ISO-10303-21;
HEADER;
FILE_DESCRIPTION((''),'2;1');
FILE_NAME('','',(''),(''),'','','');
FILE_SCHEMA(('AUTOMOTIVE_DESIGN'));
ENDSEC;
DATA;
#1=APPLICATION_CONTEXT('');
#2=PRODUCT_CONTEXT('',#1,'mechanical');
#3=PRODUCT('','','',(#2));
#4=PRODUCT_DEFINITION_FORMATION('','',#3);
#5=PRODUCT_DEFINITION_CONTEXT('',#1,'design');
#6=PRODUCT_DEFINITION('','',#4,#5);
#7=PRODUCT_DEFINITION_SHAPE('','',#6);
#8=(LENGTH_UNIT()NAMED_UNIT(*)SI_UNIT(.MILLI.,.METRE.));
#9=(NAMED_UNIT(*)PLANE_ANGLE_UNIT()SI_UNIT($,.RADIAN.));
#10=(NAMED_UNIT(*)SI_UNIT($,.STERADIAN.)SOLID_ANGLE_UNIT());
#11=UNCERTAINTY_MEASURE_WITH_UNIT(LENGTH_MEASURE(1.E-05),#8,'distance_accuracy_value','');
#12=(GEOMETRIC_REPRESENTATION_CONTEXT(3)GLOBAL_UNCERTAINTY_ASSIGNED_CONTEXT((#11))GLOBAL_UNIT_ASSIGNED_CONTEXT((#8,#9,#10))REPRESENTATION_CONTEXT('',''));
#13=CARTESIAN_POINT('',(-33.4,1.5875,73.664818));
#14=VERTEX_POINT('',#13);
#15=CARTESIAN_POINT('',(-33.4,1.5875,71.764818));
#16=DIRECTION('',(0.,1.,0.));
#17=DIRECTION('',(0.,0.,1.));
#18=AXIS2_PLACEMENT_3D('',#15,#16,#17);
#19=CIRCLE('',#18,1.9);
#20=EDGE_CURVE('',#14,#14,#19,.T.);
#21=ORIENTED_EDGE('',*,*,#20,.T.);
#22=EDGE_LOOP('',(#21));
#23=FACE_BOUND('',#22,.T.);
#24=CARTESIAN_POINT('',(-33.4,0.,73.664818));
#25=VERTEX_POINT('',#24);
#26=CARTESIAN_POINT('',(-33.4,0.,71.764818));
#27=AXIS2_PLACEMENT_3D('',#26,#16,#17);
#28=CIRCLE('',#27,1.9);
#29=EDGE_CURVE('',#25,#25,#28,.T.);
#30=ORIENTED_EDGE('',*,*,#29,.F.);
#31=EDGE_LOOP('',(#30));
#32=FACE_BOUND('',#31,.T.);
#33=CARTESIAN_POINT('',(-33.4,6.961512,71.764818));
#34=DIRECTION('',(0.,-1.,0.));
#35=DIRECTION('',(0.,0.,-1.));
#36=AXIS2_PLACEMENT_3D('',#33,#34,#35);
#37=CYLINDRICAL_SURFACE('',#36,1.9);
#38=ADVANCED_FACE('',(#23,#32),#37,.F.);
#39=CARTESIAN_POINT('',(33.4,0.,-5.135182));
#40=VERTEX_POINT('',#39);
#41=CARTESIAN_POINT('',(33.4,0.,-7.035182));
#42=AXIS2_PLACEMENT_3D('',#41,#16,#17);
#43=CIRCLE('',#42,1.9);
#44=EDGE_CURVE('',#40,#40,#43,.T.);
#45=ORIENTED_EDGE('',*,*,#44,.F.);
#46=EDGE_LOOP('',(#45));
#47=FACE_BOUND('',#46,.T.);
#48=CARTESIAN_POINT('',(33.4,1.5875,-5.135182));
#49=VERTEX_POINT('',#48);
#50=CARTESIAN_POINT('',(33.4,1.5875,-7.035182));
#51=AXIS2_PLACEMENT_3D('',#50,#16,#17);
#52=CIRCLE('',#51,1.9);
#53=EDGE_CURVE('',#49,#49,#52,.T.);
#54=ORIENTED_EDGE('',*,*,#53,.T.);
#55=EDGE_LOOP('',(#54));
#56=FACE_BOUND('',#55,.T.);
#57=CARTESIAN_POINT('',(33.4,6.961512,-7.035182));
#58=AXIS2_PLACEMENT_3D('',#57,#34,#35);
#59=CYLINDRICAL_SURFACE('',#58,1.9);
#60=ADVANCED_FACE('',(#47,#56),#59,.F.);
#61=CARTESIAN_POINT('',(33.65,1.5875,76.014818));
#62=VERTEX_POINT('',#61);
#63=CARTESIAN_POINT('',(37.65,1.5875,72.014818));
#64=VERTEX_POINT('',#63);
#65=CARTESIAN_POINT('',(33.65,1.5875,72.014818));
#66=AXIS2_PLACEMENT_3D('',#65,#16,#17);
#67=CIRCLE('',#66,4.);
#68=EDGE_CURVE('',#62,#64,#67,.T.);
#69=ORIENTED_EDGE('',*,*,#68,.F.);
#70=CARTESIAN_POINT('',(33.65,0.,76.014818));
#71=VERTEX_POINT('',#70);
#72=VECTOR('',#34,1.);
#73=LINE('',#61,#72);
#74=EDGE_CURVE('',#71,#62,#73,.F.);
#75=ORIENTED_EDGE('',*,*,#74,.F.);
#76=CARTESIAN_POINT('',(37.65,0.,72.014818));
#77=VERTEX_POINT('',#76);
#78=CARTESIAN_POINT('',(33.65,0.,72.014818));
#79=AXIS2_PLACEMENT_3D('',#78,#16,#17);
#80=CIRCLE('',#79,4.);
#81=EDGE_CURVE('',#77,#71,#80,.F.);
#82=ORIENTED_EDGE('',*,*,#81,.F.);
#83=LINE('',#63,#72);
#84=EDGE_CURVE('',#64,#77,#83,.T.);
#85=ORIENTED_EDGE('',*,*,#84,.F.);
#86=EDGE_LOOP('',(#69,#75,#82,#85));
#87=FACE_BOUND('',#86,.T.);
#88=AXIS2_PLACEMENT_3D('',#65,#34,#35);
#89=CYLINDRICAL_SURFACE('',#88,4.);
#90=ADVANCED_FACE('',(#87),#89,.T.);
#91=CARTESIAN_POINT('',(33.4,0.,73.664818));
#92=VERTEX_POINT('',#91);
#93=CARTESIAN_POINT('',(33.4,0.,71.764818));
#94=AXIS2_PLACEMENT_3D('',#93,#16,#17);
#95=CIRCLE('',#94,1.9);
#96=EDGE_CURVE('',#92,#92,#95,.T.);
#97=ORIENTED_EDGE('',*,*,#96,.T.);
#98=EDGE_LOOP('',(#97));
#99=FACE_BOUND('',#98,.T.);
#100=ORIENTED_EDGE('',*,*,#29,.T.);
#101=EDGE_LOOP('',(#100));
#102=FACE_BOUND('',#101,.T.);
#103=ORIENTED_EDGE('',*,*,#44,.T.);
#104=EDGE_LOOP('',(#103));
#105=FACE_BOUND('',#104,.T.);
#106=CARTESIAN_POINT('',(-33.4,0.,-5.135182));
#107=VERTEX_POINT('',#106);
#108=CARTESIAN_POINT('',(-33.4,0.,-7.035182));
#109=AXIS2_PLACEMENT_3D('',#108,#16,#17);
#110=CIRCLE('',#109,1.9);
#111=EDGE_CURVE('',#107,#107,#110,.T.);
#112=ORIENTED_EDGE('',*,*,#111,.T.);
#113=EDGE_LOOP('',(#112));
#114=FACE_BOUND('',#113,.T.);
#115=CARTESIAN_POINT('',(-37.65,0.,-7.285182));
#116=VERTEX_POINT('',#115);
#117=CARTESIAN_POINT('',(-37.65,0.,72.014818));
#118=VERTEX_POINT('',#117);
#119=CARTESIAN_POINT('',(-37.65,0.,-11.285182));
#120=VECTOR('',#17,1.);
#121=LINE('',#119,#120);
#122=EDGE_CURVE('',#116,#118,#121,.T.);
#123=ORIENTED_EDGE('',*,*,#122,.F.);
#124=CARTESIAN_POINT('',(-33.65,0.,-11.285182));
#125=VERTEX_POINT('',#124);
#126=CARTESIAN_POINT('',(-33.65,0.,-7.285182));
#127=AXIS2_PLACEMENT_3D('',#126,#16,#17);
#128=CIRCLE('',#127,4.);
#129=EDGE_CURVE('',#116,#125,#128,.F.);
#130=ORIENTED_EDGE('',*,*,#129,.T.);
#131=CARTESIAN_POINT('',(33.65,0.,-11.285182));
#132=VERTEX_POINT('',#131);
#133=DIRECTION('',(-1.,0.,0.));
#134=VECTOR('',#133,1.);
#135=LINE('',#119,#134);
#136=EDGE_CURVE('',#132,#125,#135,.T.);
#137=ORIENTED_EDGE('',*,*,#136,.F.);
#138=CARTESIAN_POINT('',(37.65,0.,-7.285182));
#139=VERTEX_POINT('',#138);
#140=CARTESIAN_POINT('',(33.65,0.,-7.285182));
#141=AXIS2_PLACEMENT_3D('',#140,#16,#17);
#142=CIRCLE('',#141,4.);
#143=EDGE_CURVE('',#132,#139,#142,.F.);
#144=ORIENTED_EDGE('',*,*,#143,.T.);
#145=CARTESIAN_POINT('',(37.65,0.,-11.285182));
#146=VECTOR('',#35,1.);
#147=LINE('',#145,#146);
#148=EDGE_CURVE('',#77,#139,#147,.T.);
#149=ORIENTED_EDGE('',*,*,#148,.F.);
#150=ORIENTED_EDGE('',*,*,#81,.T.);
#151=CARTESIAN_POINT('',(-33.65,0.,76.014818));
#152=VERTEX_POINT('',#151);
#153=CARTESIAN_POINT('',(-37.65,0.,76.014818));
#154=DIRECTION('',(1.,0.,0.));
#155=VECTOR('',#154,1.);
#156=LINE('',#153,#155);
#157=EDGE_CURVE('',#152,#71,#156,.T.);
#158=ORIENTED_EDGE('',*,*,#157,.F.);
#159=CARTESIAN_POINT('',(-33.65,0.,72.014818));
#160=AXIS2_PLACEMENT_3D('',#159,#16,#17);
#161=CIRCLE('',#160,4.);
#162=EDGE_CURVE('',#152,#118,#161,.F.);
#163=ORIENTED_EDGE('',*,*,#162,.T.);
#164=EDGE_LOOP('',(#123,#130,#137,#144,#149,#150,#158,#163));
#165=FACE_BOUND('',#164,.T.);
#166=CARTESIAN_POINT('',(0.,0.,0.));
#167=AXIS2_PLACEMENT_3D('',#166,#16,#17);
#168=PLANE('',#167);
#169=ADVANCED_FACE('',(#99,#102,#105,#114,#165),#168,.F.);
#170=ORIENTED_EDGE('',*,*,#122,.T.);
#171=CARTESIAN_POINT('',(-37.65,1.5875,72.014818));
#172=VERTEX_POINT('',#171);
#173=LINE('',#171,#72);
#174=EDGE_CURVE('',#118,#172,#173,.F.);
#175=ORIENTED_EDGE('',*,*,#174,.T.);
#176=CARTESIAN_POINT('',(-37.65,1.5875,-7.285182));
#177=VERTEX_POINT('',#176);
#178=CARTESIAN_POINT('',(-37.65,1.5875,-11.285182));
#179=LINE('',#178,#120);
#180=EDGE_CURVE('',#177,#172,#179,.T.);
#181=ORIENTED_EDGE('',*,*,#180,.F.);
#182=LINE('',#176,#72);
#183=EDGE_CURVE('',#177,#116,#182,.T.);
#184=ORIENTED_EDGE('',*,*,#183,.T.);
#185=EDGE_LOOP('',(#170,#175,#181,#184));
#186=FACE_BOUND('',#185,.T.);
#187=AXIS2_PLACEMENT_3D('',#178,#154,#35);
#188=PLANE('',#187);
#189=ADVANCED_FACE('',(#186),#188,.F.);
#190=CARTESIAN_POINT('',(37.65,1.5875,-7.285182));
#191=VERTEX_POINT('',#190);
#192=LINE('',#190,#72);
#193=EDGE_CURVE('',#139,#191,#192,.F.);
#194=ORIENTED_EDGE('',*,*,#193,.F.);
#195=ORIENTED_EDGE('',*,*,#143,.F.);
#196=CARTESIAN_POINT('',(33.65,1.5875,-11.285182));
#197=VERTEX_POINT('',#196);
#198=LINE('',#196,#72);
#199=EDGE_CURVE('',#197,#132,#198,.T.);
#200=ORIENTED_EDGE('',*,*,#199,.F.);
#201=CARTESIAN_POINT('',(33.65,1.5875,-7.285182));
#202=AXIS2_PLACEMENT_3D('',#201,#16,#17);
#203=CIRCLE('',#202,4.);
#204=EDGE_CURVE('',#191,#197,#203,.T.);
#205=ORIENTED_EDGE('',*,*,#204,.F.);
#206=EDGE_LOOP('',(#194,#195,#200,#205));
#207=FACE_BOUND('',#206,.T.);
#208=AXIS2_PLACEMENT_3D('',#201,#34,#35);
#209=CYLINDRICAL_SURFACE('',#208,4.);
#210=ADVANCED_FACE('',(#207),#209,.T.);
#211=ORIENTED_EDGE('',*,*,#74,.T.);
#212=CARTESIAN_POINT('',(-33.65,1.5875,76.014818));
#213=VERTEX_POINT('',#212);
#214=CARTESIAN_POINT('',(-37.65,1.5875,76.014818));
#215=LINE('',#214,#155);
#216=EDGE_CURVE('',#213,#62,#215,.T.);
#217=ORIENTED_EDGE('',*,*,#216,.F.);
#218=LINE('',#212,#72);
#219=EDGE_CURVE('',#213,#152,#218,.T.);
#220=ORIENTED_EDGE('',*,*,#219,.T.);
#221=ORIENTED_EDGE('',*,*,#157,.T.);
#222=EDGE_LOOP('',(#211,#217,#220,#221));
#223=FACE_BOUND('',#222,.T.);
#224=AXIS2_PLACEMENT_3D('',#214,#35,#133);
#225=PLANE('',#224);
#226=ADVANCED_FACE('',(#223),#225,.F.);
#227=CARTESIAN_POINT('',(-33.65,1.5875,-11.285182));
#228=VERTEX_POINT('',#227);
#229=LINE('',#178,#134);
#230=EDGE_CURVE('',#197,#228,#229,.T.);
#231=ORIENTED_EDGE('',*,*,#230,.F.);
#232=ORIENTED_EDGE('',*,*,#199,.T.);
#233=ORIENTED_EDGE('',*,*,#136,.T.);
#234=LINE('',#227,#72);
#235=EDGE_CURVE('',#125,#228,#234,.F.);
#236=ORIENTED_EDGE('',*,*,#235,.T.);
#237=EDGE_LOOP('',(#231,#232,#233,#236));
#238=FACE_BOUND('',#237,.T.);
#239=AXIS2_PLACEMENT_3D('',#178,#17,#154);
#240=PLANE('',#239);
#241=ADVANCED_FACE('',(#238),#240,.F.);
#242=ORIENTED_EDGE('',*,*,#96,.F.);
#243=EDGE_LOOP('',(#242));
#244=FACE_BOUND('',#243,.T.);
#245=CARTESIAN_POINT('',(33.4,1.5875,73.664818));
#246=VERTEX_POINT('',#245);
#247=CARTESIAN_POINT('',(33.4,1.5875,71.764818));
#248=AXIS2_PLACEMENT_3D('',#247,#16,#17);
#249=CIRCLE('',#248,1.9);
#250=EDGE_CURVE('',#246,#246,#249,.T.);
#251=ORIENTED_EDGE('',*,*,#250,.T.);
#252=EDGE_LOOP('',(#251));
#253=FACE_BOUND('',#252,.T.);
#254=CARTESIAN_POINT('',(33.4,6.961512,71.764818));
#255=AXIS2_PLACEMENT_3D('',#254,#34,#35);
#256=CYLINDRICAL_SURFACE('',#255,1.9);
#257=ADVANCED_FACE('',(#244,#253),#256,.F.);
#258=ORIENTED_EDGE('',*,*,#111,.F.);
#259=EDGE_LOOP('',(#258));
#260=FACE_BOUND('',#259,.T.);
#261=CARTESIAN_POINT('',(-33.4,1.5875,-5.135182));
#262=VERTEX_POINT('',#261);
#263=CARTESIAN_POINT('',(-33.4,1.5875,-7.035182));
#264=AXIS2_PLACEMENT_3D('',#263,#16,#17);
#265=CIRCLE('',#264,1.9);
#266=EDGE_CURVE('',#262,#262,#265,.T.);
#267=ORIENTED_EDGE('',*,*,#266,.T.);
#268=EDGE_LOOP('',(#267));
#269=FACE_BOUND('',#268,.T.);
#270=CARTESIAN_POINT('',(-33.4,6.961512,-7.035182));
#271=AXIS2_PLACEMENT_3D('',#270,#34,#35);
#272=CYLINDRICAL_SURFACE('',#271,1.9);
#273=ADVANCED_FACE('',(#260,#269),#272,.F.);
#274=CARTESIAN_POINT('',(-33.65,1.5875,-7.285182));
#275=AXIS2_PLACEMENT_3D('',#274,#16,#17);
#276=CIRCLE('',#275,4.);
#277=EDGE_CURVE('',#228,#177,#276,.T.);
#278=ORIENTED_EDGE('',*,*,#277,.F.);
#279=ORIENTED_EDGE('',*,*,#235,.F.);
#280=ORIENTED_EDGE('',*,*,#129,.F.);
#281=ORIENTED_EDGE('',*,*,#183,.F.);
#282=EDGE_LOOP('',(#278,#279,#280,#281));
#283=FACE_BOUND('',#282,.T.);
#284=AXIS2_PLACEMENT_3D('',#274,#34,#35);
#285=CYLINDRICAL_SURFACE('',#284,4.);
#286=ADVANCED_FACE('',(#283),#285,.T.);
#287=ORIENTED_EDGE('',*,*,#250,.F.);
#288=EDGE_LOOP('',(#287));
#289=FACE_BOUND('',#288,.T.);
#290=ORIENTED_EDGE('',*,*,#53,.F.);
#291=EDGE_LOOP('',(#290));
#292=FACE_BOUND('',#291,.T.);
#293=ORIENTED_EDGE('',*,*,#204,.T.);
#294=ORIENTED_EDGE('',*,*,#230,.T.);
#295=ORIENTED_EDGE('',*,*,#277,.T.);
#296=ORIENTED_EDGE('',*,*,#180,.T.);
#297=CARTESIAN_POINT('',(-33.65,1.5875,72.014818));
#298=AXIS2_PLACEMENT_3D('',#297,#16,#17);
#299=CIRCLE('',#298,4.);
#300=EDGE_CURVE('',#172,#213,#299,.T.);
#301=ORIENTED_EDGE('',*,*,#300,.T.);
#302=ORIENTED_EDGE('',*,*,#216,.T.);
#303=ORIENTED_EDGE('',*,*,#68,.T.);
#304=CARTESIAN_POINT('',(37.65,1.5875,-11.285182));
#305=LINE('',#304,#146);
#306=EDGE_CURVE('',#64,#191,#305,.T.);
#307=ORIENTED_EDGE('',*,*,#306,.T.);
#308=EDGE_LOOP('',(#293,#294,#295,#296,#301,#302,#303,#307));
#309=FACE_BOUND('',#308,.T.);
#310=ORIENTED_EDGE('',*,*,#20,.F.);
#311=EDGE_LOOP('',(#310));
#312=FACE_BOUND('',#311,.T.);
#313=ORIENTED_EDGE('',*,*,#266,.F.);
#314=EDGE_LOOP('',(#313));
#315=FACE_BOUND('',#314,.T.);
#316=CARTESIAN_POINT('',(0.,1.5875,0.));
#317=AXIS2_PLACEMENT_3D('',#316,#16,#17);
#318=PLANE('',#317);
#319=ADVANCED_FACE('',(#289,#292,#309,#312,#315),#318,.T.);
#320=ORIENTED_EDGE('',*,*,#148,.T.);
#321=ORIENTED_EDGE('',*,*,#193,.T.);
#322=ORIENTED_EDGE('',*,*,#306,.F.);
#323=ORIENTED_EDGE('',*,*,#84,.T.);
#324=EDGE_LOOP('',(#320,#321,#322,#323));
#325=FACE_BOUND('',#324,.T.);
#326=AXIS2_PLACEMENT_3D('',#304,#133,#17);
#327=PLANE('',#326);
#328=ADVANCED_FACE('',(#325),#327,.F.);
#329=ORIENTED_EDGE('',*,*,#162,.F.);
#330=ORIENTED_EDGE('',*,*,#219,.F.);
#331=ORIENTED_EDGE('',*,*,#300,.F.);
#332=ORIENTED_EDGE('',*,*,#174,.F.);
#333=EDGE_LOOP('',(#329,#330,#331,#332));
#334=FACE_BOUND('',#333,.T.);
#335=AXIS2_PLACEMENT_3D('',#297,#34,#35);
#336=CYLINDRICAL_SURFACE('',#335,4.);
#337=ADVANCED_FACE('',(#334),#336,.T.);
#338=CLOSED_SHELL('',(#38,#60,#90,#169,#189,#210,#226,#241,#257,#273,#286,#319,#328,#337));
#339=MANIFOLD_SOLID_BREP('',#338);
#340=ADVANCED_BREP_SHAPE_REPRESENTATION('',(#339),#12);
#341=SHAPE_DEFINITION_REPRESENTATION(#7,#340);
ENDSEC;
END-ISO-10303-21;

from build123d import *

# Parameters (mm, degrees)
SKETCH1_W           = 75.3
SKETCH1_H           = 87.3
BOSS_EXTRUDE1_DEPTH = 1.5875
SKETCH2_R           = 1.9
CUT_EXTRUDE1_DEPTH  = 1.5875
FILLET1_R           = 4


with BuildPart() as part:
    # Sketch1 → Boss-Extrude1 (new body)
    with BuildSketch(Plane(origin=(0, 0, 0), x_dir=(1, 0, 0), z_dir=(0, 1, 0))):
        with Locations((0, -32.364818223)):
            Rectangle(SKETCH1_W, SKETCH1_H)
    extrude(amount=BOSS_EXTRUDE1_DEPTH)

    # Sketch2 → Cut-Extrude1 (cut)
    with BuildSketch(Plane(origin=(0, 0, 0), x_dir=(1, 0, 0), z_dir=(0, 1, 0))):
        with Locations(Location((33.4, -71.764818223, 0), (0, 0, 270))):
            Circle(SKETCH2_R)
        with Locations(Location((-33.4, -71.764818223, 0), (0, 0, 270))):
            Circle(SKETCH2_R)
        with Locations(Location((-33.4, 7.035181777, 0), (0, 0, 270))):
            Circle(SKETCH2_R)
        with Locations(Location((33.4, 7.035181777, 0), (0, 0, 270))):
            Circle(SKETCH2_R)
    extrude(amount=CUT_EXTRUDE1_DEPTH, mode=Mode.SUBTRACT)

    # Fillet1
    fillet1_edges = [part.edges().sort_by_distance(p)[0] for p in [
        (-37.65, 0.79375, -11.285181777),
        (37.65, 0.79375, -11.285181777),
        (37.65, 0.79375, 76.014818223),
        (-37.65, 0.79375, 76.014818223),
    ]]
    fillet(fillet1_edges, radius=FILLET1_R)


solid = part.part
